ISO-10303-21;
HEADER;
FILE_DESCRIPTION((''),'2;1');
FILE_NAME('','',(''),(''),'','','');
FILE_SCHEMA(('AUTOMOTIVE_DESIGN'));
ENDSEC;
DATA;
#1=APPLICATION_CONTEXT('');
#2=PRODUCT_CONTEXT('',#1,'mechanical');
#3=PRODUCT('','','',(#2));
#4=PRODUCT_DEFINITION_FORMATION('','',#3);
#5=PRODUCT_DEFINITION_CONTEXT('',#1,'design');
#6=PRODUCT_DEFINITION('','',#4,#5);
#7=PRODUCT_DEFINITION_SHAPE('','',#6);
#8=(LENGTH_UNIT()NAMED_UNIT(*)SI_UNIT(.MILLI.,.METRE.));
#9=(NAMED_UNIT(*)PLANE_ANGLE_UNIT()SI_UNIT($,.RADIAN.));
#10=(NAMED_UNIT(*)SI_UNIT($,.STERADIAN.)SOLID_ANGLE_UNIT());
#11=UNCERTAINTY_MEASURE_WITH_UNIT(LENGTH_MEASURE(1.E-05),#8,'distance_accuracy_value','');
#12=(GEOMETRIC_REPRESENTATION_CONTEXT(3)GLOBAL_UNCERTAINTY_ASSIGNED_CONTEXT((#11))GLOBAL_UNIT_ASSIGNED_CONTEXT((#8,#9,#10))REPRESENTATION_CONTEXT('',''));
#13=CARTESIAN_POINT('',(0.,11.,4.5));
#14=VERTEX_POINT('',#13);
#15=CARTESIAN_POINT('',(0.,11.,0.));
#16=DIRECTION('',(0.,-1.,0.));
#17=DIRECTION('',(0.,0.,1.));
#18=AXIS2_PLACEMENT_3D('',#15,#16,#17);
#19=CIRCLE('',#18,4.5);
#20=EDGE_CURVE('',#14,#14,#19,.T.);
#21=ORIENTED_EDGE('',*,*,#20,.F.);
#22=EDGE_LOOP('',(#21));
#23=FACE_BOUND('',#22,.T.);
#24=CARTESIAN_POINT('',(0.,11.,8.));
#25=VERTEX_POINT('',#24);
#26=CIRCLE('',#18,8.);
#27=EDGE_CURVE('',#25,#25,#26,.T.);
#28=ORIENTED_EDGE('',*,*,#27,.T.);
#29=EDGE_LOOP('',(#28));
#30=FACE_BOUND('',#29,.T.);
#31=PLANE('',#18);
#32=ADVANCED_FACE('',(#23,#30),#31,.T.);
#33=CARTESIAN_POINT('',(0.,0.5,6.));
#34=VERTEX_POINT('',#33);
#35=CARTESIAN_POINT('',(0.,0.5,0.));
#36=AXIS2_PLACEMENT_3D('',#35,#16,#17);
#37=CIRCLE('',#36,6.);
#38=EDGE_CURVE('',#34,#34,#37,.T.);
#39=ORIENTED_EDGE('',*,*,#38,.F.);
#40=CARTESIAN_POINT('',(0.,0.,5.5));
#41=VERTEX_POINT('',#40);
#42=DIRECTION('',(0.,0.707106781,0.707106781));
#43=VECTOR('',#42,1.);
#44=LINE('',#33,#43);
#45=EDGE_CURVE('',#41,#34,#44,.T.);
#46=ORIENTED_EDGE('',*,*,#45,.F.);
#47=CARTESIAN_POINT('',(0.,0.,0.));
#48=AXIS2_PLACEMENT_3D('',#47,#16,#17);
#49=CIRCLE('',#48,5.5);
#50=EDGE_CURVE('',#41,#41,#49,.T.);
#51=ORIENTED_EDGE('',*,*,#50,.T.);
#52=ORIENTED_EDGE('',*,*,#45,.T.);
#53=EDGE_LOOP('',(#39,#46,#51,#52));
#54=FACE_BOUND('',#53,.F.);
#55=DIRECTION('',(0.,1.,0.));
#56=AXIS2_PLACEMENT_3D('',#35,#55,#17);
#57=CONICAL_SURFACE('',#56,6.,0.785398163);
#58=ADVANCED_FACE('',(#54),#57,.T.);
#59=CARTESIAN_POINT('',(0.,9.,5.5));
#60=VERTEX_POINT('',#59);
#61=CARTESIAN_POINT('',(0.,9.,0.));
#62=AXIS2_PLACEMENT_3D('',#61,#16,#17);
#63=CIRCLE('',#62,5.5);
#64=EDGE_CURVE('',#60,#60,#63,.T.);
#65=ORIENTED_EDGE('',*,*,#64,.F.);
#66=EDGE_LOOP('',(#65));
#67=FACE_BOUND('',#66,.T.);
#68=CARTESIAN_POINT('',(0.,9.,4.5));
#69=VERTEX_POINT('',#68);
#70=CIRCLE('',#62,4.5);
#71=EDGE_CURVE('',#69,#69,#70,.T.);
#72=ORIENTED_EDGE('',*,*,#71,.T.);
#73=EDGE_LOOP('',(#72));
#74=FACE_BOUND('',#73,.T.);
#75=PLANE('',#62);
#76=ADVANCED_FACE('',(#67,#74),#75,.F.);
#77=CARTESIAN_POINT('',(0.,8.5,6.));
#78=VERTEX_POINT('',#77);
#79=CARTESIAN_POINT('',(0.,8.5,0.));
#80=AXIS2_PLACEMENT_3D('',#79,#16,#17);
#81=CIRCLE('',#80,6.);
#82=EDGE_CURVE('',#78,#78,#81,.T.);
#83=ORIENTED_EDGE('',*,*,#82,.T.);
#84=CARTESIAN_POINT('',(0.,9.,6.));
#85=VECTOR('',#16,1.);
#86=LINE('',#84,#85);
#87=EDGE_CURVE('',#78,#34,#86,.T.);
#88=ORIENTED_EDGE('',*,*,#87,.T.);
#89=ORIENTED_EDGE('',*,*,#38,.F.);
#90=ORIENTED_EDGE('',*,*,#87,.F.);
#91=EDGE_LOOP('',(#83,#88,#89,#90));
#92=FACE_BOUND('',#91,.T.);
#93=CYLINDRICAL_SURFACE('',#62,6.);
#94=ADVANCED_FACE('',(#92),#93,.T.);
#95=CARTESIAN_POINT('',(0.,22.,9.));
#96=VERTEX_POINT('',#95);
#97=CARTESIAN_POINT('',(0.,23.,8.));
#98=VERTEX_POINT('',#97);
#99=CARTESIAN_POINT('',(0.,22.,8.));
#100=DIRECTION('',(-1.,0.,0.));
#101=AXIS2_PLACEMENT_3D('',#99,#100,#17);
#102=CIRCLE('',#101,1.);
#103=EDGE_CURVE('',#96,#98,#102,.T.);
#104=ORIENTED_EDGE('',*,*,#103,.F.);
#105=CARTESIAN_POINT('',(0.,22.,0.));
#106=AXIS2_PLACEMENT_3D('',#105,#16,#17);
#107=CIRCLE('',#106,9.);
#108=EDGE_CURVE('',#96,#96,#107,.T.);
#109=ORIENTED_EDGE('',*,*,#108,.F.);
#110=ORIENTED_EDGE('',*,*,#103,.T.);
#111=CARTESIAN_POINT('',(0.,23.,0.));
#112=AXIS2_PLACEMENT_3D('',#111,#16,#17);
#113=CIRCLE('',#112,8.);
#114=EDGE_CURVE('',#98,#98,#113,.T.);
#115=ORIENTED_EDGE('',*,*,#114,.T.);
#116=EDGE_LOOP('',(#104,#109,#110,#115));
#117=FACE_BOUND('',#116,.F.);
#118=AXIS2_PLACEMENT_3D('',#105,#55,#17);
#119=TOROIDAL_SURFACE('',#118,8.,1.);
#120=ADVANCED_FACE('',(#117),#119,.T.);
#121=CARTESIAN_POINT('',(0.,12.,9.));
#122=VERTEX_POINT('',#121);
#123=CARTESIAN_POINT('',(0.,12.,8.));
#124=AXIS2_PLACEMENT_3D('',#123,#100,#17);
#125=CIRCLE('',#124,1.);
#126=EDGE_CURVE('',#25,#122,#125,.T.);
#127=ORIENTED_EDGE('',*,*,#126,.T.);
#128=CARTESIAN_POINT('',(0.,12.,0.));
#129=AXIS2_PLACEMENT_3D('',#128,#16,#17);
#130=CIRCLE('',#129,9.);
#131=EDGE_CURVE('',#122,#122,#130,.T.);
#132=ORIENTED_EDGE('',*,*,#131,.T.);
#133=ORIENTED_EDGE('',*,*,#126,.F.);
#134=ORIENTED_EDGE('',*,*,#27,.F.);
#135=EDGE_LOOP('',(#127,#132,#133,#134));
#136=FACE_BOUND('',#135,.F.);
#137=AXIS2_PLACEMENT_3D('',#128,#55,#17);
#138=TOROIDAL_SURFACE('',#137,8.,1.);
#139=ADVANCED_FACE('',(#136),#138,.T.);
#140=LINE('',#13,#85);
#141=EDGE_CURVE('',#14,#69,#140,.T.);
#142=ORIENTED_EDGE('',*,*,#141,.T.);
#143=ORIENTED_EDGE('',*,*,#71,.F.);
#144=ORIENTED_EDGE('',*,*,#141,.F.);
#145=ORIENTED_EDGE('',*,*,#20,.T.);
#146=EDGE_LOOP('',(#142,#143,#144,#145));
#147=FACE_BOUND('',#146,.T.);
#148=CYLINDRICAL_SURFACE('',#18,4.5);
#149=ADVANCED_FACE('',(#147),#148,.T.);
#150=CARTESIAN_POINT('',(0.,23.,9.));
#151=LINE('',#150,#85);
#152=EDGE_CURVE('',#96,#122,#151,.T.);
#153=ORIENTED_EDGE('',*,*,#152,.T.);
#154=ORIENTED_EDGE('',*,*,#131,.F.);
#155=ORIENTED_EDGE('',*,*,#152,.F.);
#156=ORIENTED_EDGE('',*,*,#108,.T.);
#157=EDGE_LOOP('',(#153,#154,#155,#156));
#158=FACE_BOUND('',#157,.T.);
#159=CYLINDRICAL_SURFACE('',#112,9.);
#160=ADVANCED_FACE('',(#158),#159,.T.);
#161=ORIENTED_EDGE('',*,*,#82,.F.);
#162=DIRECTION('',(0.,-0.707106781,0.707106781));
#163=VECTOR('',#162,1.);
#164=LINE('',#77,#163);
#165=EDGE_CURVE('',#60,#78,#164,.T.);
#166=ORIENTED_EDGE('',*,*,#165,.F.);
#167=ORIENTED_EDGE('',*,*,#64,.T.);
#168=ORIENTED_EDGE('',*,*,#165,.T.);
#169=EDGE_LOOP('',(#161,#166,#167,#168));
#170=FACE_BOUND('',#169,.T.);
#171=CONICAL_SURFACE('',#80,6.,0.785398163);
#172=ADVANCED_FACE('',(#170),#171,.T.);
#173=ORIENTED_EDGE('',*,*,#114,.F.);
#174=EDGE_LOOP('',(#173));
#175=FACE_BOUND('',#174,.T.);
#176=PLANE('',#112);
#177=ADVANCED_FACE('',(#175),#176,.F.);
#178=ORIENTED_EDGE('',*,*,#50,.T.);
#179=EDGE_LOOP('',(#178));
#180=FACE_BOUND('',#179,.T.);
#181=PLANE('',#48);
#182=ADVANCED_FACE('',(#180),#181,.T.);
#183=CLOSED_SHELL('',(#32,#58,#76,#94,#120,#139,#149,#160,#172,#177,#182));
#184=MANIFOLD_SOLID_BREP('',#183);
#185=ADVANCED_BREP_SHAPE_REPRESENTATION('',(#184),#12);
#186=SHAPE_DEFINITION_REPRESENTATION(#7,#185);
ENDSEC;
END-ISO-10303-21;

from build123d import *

# Parameters (mm, degrees)
F2_SIZE = 0.5
F3_R    = 1


with BuildPart() as f1:
    # F0 (on Right) → F1 (revolve)
    with BuildSketch(Plane.YZ):
        Polygon((0, 6), (0, 0), (23, 0), (23, 9), (11, 9), (11, 4.5), (9, 4.5), (9, 6), align=None)
    revolve(axis=Axis((0, 11.5, 0), (0, -1, 0)))

    # F2
    f2_edges = [f1.edges().sort_by_distance(p)[0] for p in [
        (0, 0, -6),
        (0, 9, -6),
    ]]
    chamfer(f2_edges, length=F2_SIZE)

    # F3
    f3_edges = [f1.edges().sort_by_distance(p)[0] for p in [
        (0, 11, -9),
        (0, 23, -9),
    ]]
    fillet(f3_edges, radius=F3_R)


solid = f1.part
